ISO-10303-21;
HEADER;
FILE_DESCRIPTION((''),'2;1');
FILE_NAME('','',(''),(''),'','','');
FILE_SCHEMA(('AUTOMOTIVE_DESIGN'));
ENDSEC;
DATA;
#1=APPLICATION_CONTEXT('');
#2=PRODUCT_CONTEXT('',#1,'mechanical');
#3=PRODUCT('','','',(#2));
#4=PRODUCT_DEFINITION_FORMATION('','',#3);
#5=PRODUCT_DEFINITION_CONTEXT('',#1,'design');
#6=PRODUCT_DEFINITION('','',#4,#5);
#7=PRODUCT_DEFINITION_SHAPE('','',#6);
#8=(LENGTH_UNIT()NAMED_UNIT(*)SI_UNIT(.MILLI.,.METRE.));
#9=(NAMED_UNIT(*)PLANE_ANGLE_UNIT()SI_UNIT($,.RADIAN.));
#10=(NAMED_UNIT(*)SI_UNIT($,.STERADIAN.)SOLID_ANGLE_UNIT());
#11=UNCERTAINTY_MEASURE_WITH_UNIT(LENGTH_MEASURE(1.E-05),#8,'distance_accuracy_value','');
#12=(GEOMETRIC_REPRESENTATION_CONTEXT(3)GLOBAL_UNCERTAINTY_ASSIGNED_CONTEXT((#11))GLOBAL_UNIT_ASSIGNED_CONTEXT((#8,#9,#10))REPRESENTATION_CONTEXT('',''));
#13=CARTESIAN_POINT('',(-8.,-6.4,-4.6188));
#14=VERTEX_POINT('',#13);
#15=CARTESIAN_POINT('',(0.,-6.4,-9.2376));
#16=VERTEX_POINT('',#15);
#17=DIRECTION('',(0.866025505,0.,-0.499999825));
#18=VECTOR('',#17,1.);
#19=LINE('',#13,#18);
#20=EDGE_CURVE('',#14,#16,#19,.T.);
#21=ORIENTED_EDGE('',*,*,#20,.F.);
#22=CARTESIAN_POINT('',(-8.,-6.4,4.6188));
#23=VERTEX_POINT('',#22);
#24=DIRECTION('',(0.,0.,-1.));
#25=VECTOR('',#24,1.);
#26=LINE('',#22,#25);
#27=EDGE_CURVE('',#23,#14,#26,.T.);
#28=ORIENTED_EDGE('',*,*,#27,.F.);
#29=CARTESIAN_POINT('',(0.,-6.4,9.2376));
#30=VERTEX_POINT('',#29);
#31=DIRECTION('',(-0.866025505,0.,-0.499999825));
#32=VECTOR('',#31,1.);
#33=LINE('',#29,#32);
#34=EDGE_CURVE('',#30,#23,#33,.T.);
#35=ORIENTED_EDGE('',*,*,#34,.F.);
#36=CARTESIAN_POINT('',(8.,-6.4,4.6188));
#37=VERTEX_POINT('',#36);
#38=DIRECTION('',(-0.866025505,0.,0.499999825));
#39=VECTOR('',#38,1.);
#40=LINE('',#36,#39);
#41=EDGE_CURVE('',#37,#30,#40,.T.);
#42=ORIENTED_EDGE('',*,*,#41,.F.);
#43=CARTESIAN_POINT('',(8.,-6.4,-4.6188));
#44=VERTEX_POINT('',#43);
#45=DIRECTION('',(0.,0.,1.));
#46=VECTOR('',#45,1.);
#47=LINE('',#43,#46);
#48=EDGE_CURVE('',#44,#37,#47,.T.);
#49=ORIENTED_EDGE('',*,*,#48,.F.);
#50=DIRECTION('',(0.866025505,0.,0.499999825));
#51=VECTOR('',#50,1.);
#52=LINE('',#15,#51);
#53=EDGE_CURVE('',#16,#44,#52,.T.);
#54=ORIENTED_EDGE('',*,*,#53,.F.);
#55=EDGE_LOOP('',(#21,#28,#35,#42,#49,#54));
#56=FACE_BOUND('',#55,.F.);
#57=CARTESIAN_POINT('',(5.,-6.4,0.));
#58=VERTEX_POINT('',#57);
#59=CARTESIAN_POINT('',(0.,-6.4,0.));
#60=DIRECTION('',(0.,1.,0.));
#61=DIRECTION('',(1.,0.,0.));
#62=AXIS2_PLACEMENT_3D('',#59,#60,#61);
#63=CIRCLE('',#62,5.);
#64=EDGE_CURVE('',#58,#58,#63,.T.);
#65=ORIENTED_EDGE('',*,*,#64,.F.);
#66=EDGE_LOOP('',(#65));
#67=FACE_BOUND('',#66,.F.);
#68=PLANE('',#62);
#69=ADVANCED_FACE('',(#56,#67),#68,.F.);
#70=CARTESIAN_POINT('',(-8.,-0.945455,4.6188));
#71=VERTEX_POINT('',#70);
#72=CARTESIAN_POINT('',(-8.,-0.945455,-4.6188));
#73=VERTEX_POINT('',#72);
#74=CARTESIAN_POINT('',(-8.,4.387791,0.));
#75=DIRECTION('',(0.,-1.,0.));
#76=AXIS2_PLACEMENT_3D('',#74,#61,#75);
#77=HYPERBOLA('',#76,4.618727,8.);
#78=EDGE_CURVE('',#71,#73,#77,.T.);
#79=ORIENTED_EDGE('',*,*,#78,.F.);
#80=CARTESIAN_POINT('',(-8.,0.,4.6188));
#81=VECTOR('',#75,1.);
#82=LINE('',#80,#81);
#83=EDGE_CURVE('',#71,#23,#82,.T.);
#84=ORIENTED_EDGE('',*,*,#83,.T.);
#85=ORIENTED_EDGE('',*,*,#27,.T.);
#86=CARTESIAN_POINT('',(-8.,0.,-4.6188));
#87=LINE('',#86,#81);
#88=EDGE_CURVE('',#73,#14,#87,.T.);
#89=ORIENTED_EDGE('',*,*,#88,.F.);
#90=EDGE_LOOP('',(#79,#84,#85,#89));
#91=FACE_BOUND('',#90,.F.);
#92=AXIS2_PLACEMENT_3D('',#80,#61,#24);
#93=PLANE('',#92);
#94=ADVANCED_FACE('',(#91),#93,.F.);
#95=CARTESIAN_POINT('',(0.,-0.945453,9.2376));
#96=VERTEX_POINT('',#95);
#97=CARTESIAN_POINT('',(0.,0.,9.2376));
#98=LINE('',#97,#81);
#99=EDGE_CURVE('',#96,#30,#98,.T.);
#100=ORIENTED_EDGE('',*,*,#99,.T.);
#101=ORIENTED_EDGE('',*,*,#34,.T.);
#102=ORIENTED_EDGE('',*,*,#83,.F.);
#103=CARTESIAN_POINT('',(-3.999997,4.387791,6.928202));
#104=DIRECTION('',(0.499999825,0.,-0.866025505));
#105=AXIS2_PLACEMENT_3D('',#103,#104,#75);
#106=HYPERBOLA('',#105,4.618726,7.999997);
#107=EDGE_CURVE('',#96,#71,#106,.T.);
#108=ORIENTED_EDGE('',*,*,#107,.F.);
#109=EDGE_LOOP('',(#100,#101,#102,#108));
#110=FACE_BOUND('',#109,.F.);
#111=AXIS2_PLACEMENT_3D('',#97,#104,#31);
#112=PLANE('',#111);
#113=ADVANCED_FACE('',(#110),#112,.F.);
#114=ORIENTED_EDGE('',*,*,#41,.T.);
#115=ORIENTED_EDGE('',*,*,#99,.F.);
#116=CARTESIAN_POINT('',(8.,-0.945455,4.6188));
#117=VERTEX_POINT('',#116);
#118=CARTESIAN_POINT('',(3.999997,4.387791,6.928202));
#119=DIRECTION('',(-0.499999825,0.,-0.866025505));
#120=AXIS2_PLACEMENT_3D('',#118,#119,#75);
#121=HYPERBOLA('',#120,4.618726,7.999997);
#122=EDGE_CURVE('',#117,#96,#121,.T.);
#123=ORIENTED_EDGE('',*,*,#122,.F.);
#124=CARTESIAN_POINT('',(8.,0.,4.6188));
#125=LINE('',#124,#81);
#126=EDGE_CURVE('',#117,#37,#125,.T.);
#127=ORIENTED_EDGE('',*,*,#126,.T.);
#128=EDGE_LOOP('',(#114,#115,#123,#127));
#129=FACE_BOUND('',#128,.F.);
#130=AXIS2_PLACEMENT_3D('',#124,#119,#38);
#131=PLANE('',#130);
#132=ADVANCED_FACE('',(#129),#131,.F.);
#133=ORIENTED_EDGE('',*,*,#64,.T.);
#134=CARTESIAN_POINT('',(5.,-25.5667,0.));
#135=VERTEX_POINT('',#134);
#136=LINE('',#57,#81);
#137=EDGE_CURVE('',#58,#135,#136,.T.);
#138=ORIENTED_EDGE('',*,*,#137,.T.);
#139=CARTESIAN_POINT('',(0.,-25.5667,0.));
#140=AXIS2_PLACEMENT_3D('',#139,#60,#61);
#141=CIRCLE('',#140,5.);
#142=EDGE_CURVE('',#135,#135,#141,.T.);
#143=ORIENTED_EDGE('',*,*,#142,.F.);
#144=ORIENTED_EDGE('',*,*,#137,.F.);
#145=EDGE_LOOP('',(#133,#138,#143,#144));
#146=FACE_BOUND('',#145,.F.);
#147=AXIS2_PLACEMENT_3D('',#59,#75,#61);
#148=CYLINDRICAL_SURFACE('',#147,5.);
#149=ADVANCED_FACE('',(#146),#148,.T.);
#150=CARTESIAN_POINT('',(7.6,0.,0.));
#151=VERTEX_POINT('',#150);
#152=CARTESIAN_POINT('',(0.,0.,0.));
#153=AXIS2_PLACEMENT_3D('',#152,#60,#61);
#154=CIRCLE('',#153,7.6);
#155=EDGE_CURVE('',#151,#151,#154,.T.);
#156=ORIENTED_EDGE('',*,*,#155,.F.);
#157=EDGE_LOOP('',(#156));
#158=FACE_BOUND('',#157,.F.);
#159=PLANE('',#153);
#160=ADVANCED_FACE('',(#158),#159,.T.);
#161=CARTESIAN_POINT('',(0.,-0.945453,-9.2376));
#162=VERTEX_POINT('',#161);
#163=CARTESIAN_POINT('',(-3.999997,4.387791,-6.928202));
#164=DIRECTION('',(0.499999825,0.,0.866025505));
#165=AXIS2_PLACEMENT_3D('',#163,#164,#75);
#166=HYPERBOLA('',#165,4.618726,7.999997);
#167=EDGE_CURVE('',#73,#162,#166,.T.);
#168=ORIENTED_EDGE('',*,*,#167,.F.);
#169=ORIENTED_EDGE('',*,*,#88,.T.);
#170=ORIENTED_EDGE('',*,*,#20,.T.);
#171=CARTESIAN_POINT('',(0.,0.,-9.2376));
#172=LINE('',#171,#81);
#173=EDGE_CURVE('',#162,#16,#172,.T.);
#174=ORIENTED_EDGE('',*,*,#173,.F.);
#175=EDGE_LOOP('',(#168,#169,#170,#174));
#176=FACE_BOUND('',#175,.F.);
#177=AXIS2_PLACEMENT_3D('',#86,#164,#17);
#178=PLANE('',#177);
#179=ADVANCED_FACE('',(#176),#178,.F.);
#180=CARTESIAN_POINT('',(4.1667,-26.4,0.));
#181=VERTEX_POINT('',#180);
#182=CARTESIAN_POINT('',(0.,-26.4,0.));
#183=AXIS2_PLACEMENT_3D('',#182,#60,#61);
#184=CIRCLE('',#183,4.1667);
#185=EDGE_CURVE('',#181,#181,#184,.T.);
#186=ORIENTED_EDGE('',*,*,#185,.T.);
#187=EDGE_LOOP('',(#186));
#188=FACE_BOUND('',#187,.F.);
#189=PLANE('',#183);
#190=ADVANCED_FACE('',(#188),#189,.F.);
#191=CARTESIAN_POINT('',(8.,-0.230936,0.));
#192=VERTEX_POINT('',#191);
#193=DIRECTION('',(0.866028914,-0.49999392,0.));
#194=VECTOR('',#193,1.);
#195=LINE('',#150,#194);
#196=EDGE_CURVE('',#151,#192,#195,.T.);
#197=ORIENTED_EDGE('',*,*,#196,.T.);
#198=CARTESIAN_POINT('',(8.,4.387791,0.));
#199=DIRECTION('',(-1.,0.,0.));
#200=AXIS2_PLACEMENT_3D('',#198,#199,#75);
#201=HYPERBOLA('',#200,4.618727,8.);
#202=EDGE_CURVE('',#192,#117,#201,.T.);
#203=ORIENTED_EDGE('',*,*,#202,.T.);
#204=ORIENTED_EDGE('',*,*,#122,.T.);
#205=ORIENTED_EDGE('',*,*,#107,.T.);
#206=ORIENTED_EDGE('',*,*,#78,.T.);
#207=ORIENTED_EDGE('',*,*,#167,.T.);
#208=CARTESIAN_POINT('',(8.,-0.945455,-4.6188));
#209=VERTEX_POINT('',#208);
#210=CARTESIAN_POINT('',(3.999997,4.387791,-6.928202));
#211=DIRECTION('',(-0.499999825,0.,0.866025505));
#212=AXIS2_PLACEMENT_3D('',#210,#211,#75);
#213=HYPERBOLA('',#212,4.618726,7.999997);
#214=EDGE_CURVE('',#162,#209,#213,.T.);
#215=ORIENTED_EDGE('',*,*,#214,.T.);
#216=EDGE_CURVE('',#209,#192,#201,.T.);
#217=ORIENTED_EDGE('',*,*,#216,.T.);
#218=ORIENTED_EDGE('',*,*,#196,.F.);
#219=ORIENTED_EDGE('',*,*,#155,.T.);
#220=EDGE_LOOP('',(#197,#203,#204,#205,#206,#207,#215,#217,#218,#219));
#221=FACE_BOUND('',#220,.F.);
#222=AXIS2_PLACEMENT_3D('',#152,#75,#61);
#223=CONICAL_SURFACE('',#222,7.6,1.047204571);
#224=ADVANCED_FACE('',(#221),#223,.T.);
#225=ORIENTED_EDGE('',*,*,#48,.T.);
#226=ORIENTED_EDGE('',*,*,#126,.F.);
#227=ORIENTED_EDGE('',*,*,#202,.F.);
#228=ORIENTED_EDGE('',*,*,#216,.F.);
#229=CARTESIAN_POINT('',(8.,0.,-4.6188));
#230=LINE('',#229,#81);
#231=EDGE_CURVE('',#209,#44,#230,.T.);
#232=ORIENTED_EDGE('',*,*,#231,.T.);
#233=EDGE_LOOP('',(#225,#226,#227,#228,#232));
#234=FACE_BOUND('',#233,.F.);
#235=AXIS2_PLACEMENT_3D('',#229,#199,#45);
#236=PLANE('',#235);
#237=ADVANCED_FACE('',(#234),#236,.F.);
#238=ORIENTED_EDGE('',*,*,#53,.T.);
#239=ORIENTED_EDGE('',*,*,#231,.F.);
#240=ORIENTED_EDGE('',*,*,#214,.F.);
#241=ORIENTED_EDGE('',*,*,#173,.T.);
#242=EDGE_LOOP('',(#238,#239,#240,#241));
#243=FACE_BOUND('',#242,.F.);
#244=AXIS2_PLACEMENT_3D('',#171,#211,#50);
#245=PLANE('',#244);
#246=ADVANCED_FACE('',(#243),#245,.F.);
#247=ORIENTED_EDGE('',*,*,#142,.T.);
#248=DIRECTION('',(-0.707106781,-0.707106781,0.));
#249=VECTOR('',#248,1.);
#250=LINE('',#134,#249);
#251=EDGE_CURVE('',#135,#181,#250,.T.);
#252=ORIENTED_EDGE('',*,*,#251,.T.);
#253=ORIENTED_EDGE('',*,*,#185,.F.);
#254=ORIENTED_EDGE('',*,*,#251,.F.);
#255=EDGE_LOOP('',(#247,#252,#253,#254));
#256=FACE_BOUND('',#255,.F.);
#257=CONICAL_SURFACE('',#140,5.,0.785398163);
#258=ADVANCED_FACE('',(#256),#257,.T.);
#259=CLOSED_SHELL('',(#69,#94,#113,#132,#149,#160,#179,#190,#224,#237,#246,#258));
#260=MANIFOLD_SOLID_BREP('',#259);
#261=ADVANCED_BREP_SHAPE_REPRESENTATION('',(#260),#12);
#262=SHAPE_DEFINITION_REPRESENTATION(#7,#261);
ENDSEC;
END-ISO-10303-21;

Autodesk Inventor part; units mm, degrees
ref_plane "YZ Plane" through (0, 0, 0) normal (1, 0, 0) x (0, 1, 0)
ref_plane "XZ Plane" through (0, 0, 0) normal (0, 1, 0) x (-1, 0, 0)
ref_plane "XY Plane" through (0, 0, 0) normal (0, 0, 1) x (1, 0, 0)
sketch "Sketch1" plane through (0, 0, 0) normal (0, 0, 1) x (1, 0, 0)
  line L0 (0, 0) -> (7.6, 0)
  line L1 (12, -2.5403) -> (12, -6.4)
  line L2 (12, -6.4) -> (5, -6.4)
  line L3 (5, -6.4) -> (5, -26.4)
  line L4 (5, -26.4) -> (0, -26.4)
  line L5 (0, -26.4) -> (0, 0)
  line L6 (7.6, 0) -> (12, -2.5403)
  dimension "d0" = 24
  dimension "d1" = 10
  dimension "d2" = 6.4
  dimension "d3" = 20
  dimension "d20" = 30
  dimension "d21" = 15.2
revolve "Вращение1" add sketch "Sketch1" angle 360 about axis through (0, -26.4, 0) along (0, 1, 0)
sketch "Sketch2" plane through (0, 0, 0) normal (0, 1, 0) x (1, 0, 0)
  line L0 (0, -9.2376) -> (-8, -4.6188)
  line L1 (-8, -4.6188) -> (-8, 4.6188)
  line L2 (-8, 4.6188) -> (0, 9.2376)
  line L3 (0, 9.2376) -> (8, 4.6188)
  line L4 (8, 4.6188) -> (8, -4.6188)
  line L5 (8, -4.6188) -> (0, -9.2376)
  circle A0 centre (0, 0) radius 12 projected
  point P0 (0, 0)
  point P1 (0, 0)
  dimension "d22" = 16
extrude "Выдавливание1" cut sketch "Sketch2" against normal blind 6.4
thread "Резьба1" size "M10x1.5" class "6g" standard "ISO Metric profile" length 18
chamfer "Фаска1" distance 0.8333 angle 45 1 edges at (-5, -26.4, 0)
equation "\"d22\" = S_"
equation "\"d23\" = k"
equation "\"d12\" = b"
equation "\"d14\" = 0.0833333 * d"
equation "\"d0\" = 1.5 * S_"
equation "\"d1\" = d1_"
equation "\"d2\" = k"
equation "\"d3\" = L"
equation "\"d21\" = 0.95 * S_"
equation "\"d1_\" = 10"
equation "\"S_\" = 16"
equation "\"k\" = 6.4"
equation "\"e\" = 17.6"
equation "\"L\" = 20"
equation "\"b\" = 18"
equation "\"Grip_Length\" = 2"
equation "\"d\" = 10"
properties part number "Болт M10-6g×20(S16) ГОСТ 7798-70" material "Сталь, мягкая"
